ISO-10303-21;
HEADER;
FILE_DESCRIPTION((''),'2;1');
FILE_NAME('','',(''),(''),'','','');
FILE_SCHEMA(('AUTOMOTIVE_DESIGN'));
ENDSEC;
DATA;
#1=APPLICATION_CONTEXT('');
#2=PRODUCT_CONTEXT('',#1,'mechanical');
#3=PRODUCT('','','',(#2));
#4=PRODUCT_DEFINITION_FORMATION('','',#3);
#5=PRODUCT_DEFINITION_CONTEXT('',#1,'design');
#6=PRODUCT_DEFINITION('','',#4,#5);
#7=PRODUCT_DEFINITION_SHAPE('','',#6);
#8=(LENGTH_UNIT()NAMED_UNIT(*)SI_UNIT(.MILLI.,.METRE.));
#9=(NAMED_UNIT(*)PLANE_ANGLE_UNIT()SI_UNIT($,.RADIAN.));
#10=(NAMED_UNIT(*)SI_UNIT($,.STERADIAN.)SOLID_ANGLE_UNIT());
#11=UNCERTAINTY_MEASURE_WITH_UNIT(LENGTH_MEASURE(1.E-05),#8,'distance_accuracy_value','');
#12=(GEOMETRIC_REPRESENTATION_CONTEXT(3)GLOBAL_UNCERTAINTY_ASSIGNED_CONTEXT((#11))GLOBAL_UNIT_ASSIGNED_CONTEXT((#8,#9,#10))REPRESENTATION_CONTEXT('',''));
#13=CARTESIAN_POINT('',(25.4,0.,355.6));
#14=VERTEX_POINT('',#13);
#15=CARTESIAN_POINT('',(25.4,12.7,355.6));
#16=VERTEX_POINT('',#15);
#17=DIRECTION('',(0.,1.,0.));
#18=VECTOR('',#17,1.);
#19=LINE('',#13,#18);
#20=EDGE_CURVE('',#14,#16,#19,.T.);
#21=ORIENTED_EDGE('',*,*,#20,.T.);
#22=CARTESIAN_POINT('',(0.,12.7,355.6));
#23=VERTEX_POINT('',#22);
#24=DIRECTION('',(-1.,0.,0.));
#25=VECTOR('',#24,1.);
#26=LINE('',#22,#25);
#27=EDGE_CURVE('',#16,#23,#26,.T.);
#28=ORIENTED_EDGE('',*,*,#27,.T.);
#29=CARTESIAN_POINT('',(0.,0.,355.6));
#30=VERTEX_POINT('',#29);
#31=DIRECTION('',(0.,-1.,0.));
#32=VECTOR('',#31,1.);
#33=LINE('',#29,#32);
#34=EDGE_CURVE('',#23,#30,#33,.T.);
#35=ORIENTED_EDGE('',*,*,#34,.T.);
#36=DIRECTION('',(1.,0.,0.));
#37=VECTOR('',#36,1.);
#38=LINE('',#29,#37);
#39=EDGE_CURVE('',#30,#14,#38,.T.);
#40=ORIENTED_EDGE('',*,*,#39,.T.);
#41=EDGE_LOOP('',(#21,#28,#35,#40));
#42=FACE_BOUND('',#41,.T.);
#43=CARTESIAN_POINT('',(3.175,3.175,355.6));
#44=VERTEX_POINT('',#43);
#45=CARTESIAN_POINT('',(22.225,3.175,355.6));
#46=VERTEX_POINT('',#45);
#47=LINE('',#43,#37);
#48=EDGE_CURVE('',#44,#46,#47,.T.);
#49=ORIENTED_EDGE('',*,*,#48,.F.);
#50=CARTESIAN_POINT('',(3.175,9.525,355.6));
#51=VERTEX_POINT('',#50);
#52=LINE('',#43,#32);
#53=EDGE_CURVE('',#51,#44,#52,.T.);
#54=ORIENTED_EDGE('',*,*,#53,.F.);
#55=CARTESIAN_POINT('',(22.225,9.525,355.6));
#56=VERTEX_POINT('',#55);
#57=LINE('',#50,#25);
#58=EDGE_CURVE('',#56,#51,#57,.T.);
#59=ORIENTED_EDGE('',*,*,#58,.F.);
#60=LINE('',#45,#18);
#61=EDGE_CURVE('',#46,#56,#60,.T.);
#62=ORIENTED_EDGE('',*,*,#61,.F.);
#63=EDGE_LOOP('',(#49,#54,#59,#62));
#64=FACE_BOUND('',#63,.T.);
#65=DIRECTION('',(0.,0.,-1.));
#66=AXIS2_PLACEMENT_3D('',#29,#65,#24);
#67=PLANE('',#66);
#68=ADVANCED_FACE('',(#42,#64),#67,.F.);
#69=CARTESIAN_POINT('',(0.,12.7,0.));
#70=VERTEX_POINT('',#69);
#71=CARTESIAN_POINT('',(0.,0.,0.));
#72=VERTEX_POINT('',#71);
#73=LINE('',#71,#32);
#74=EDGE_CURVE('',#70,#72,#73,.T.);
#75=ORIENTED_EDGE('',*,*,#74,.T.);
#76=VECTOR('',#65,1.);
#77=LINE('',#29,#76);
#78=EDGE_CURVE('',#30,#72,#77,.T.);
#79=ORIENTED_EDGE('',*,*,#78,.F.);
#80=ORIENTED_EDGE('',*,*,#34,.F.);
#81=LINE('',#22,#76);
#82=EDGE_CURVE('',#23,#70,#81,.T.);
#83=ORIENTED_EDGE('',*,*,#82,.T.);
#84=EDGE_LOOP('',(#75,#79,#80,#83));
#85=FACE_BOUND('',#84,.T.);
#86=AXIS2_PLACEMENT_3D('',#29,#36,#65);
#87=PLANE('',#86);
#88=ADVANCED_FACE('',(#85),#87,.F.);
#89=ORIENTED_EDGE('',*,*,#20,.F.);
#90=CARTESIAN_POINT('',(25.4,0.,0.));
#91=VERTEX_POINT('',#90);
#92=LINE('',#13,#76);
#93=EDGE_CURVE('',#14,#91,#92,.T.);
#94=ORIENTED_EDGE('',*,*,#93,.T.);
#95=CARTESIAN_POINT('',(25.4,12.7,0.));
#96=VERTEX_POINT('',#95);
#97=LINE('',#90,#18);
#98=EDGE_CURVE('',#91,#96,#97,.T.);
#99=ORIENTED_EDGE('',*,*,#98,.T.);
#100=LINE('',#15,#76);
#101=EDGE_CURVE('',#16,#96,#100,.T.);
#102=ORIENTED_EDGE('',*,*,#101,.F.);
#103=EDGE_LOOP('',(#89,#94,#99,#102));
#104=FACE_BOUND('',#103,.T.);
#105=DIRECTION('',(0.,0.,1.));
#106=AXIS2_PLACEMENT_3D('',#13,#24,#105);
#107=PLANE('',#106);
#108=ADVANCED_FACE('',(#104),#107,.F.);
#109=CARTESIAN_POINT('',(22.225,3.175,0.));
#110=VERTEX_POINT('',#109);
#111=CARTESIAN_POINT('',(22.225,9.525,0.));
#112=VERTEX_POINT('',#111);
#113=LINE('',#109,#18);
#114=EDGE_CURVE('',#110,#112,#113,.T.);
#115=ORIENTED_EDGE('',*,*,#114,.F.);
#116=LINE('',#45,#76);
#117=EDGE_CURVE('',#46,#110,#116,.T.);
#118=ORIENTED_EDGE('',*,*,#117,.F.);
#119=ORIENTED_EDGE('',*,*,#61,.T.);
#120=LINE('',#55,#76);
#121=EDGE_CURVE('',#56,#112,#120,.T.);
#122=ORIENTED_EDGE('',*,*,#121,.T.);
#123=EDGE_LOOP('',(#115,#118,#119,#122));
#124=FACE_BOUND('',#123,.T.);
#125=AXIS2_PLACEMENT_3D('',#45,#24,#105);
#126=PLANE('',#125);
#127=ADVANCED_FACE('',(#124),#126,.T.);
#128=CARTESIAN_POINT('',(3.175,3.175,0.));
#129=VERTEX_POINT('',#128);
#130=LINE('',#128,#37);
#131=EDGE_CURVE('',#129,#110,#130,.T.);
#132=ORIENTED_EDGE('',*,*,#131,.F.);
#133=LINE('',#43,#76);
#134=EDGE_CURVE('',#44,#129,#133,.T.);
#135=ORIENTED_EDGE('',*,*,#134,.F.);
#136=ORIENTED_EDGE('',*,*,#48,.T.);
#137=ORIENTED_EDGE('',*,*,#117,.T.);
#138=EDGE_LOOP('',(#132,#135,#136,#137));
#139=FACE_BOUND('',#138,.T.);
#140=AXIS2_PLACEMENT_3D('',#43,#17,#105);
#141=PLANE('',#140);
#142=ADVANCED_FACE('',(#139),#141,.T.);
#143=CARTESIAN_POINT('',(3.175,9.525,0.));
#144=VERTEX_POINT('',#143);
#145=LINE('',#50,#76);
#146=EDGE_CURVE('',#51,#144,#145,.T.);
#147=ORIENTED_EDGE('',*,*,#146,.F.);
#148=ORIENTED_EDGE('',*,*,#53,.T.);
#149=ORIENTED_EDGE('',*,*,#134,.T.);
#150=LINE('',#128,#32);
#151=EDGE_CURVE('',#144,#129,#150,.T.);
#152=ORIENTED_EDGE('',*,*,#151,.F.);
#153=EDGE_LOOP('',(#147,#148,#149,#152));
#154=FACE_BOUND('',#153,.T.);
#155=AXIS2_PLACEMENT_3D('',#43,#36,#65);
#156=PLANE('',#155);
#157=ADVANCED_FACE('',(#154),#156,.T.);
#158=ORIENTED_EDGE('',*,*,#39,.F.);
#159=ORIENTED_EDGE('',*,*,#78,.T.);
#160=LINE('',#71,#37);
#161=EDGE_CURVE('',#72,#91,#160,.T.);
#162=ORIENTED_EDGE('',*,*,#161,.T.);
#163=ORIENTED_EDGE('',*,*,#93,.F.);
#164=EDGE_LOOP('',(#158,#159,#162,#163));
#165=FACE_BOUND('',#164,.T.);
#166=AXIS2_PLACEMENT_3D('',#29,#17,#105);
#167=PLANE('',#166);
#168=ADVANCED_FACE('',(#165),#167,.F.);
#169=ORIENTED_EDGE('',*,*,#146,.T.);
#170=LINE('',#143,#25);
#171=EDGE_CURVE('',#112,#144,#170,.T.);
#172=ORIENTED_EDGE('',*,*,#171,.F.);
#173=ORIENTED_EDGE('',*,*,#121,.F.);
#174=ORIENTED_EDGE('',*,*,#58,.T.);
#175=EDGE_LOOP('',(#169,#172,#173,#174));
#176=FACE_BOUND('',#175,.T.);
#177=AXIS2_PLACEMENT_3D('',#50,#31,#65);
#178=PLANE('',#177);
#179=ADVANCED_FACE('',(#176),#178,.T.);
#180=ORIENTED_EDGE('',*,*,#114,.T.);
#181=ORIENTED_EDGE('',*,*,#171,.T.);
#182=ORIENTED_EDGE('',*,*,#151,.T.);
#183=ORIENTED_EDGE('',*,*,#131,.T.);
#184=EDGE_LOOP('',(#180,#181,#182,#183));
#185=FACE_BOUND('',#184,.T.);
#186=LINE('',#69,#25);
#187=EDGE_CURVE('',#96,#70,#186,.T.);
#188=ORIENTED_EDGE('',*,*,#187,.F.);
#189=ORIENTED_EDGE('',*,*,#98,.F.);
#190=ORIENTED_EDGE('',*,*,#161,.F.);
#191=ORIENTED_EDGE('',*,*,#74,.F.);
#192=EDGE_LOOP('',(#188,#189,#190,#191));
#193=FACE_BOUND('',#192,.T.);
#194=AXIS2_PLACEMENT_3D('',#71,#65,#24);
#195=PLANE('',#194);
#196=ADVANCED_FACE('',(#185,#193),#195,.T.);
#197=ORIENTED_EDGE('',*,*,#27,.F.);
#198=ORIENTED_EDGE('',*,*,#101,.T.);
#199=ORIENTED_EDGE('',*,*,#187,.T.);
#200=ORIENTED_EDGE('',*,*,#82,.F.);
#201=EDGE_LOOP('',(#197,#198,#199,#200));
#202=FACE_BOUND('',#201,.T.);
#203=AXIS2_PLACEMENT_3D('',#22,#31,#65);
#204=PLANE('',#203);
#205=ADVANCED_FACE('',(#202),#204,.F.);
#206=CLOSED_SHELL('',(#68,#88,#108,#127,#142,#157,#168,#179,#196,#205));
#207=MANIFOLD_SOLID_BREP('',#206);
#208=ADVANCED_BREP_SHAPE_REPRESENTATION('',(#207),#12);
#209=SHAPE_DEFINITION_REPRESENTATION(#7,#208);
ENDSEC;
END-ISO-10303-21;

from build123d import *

# Parameters (mm, degrees)
SKETCH1_W           = 25.4
SKETCH1_H           = 12.7
SKETCH1_W_2         = 19.05
SKETCH1_H_2         = 6.35
BOSS_EXTRUDE1_DEPTH = 355.6


with BuildPart() as part:
    # Sketch1 → Boss-Extrude1 (new body)
    with BuildSketch(Plane.XY):
        with Locations((12.7, 6.35)):
            Rectangle(SKETCH1_W, SKETCH1_H)
        with Locations((12.7, 6.35)):
            Rectangle(SKETCH1_W_2, SKETCH1_H_2, mode=Mode.SUBTRACT)
    extrude(amount=BOSS_EXTRUDE1_DEPTH)


solid = part.part
